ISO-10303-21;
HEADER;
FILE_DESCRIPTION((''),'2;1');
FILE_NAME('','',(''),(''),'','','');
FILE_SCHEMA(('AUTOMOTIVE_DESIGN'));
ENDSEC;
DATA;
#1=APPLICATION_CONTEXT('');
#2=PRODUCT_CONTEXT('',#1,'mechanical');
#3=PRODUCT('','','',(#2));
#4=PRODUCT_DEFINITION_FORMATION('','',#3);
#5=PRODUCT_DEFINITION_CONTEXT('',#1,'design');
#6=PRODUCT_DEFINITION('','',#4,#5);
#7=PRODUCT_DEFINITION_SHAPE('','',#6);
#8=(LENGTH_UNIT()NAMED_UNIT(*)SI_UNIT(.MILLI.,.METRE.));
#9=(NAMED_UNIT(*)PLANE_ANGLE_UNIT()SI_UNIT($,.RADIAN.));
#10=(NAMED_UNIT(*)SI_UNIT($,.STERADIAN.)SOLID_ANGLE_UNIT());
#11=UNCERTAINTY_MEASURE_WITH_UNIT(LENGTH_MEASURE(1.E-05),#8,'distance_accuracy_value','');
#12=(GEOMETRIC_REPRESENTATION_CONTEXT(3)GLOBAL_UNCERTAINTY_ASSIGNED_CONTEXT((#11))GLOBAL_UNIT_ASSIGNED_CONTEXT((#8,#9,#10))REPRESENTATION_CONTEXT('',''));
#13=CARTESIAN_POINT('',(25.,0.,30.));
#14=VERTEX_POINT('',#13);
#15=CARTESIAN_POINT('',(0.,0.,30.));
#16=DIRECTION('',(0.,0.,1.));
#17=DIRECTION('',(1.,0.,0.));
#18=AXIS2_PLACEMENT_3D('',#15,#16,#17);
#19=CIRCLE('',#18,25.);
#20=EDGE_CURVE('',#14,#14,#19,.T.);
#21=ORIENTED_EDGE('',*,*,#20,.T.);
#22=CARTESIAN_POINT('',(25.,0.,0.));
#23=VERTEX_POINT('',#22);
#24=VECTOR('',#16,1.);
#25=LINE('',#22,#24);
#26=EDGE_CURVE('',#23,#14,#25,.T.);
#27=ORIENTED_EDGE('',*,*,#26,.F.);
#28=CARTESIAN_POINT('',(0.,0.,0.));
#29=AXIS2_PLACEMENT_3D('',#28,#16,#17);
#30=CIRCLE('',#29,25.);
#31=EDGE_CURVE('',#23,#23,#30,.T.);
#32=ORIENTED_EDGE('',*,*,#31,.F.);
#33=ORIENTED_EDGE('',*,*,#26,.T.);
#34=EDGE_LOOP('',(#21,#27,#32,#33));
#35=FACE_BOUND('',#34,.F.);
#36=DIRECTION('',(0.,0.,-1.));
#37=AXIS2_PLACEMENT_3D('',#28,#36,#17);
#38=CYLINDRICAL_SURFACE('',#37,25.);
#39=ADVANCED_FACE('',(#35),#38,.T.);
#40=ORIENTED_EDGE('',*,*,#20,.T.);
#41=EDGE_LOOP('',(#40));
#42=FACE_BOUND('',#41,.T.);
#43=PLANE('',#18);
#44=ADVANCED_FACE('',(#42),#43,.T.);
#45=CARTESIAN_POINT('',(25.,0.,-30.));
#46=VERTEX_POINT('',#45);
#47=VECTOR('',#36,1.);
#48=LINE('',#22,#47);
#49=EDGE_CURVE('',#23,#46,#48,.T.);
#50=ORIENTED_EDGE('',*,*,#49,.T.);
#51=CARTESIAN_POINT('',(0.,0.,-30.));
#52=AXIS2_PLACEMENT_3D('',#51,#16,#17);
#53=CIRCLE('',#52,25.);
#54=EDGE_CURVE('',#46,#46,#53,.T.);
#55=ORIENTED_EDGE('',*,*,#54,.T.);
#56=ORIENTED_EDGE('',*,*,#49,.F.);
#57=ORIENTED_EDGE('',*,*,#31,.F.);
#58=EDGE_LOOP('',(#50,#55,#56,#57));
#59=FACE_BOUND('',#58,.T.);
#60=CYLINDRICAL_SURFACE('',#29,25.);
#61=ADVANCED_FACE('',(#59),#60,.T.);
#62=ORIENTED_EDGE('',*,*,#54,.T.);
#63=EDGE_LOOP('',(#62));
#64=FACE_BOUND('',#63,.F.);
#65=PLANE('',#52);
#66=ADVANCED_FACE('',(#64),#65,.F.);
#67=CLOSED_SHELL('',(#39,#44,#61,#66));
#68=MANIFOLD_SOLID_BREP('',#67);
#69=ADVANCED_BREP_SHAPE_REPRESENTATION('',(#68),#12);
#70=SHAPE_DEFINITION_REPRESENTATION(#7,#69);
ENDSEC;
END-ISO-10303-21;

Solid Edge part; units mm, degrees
sketch "Sketch1" plane through (0, 0, 0) normal (0, 0, 1) x (1, 0, 0)
  circle A0 centre (0, 0) radius 25
extrude "Protrusion1" add sketch "Sketch1" along normal mid plane 60
properties material "Stahl"
